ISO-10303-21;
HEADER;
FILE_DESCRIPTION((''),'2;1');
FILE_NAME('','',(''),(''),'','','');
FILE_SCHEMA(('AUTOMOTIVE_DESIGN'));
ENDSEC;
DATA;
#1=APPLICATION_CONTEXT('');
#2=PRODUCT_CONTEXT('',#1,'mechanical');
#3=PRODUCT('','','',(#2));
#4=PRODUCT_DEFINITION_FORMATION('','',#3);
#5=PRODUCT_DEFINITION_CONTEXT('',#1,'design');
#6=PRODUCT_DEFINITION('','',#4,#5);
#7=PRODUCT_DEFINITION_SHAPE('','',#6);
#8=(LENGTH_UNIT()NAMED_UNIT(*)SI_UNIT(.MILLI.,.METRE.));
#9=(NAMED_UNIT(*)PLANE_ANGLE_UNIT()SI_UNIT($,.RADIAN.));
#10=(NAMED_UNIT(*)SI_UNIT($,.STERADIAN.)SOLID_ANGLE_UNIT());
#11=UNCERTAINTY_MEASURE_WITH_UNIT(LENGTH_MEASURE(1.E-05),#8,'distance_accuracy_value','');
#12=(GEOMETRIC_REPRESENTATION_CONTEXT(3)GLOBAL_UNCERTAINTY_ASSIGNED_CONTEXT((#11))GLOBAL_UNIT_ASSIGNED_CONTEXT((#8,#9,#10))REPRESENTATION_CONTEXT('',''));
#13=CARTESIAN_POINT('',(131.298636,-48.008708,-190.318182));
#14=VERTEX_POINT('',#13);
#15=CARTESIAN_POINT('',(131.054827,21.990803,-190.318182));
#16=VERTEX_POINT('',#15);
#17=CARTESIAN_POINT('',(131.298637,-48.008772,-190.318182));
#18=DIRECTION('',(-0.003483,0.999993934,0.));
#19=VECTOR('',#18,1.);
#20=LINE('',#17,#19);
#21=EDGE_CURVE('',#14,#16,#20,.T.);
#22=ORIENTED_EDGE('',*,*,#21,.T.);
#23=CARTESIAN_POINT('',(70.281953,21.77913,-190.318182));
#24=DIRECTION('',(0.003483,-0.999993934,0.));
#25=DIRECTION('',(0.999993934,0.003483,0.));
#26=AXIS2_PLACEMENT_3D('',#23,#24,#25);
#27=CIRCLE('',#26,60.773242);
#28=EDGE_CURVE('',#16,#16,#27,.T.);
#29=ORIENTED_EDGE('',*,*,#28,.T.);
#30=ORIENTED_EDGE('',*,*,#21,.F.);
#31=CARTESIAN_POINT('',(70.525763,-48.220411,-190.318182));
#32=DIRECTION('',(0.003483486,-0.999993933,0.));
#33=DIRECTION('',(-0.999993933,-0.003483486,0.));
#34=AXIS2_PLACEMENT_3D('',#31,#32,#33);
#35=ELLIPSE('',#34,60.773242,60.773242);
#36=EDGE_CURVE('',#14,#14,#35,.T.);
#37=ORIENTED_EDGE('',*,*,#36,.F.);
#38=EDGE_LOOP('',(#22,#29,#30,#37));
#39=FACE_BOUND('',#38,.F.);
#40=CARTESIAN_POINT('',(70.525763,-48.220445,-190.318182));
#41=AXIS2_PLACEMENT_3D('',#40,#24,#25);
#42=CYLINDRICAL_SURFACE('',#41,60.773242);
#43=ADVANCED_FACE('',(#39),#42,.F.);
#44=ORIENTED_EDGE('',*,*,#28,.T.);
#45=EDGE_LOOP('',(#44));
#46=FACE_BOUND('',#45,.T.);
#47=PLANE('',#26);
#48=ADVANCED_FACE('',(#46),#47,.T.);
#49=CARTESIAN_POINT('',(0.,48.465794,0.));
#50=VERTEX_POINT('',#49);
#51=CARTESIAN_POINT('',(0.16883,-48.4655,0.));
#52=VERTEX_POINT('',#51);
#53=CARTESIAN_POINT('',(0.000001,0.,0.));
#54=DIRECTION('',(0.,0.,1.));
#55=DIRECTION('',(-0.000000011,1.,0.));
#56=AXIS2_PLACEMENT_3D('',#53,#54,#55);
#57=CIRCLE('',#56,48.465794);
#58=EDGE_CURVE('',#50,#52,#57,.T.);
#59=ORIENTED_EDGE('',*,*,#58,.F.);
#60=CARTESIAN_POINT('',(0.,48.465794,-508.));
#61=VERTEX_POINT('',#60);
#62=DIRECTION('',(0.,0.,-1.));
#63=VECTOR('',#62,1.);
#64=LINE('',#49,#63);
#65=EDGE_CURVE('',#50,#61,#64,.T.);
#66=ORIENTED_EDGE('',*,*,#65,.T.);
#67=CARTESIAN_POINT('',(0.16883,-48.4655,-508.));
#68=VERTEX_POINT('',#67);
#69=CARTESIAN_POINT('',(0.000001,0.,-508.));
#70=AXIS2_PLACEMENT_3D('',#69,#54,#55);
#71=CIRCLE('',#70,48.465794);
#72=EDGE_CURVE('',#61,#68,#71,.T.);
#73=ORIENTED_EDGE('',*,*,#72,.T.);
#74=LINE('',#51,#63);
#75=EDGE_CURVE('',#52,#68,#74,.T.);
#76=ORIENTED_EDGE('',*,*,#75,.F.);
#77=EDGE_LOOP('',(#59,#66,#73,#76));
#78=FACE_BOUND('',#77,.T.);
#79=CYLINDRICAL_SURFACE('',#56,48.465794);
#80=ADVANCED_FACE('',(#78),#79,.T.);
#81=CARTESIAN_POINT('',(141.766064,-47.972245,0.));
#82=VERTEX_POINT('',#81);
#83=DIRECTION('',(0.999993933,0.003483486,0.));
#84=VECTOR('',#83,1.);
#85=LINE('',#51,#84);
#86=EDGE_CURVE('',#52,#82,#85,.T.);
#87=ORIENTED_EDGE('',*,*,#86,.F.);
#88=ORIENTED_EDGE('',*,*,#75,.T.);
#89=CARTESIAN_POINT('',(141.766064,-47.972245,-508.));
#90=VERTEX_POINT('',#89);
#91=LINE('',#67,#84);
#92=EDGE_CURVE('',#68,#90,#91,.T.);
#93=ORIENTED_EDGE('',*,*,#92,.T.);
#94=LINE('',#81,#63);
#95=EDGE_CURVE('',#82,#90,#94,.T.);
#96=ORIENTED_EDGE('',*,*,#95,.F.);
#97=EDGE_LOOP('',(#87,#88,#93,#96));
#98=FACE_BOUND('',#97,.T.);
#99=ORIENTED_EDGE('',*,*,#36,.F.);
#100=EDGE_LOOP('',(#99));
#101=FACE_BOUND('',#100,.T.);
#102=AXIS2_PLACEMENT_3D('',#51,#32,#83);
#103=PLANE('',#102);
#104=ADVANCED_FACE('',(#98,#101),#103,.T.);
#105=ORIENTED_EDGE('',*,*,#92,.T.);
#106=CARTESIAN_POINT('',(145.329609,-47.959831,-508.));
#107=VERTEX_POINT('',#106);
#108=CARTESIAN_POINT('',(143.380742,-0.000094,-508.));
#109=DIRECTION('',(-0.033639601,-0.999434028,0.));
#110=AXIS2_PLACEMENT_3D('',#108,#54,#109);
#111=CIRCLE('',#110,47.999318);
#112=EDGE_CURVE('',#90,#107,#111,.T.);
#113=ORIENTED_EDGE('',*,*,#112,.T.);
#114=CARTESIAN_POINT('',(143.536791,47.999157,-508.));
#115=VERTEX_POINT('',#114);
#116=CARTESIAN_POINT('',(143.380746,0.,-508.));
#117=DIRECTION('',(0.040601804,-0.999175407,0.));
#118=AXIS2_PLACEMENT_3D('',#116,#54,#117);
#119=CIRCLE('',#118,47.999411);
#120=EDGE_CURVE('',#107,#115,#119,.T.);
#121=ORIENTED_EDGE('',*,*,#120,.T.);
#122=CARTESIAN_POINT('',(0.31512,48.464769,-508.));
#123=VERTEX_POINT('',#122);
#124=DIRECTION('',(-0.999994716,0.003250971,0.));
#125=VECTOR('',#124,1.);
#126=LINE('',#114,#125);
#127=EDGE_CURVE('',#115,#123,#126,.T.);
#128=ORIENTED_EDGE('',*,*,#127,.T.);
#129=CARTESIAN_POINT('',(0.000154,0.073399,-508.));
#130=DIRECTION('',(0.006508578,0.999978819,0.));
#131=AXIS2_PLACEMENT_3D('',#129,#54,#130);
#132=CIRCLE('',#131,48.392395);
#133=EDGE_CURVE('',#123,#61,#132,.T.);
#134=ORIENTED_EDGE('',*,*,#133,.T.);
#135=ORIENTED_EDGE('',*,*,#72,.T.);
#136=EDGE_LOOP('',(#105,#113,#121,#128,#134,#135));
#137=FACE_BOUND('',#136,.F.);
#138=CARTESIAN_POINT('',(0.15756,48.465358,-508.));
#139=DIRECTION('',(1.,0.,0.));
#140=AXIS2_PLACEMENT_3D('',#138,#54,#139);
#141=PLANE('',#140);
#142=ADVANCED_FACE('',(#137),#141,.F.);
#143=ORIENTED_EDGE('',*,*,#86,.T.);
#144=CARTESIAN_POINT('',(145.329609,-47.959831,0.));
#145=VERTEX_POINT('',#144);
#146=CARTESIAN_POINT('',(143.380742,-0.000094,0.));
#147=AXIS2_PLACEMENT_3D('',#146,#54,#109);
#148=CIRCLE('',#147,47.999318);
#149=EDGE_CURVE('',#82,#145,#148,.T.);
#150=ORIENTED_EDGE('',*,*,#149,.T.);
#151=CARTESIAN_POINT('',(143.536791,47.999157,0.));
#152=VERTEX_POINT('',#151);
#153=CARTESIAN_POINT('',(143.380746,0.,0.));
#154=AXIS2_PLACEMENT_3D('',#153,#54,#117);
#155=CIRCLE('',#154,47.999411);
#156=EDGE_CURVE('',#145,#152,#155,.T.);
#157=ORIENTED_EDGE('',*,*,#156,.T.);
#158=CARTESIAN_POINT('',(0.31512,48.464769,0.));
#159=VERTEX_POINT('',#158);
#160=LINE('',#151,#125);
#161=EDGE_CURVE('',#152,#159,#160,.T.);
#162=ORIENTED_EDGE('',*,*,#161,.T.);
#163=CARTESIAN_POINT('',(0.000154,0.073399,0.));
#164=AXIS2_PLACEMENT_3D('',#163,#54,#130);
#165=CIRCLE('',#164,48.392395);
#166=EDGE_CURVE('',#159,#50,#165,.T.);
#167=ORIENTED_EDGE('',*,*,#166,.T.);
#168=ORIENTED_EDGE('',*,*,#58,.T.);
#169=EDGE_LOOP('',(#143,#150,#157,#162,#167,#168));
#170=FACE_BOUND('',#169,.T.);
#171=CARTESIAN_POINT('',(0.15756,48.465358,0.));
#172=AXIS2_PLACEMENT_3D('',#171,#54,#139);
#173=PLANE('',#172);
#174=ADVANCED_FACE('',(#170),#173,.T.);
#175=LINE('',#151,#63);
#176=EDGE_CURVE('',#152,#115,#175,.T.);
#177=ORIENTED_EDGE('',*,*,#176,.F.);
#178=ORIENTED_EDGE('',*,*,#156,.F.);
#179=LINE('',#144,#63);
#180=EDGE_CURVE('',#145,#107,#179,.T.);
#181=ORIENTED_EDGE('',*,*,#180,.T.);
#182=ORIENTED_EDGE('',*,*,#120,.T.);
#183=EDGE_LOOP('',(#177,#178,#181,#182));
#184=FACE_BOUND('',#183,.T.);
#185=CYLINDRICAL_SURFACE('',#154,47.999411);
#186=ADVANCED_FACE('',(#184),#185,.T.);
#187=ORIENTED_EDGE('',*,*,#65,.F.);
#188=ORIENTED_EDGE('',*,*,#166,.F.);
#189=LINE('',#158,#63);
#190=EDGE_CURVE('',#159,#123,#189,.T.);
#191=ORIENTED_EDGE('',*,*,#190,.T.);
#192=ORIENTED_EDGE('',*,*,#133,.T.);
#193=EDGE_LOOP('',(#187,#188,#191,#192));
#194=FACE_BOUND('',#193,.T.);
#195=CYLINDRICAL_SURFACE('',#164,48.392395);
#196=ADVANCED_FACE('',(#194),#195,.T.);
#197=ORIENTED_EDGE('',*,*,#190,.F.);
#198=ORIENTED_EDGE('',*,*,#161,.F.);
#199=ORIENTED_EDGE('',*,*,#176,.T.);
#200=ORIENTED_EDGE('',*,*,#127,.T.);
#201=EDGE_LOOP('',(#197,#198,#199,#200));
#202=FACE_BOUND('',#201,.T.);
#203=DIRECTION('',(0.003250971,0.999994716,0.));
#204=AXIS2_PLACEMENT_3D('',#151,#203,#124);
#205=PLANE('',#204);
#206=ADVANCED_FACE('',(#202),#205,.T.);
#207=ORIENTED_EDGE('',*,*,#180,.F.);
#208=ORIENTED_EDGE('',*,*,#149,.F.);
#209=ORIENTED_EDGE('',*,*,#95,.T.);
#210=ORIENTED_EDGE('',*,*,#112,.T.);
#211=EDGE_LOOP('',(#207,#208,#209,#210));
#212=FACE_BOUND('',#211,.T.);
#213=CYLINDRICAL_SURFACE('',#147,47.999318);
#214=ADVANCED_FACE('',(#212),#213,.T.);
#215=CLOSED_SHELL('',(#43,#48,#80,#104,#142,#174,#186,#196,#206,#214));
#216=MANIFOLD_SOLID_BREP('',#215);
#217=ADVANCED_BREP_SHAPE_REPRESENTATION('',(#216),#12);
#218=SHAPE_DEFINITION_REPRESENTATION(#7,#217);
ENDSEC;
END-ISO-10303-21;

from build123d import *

# Parameters (mm, degrees)
F1_DEPTH = 508
F2_R     = 60.773242
F3_DEPTH = 70


with BuildPart() as f1:
    # F0 (on Top) → F1 (new body)
    with BuildSketch(Plane.XY):
        with BuildLine():
            Line((0, 48.465794), (0.31512, 48.464769))
            ThreePointArc((0.31512, 48.464769), (0.157561, 48.465538), (0, 48.465794))
        make_face()
        with BuildLine():
            Line((143.536791, 47.999157), (0.31512, 48.464769))
            Line((0.31512, 48.464769), (0, 48.465794))
            ThreePointArc((0, 48.465794), (-48.46572, -0.084415), (0.16883, -48.4655))
            Line((0.16883, -48.4655), (141.766064, -47.972245))
            Line((141.766064, -47.972245), (145.329609, -47.959831))
            ThreePointArc((145.329609, -47.959831), (191.371782, 0.896624), (143.536791, 47.999157))
        make_face()
        with BuildLine():
            ThreePointArc((141.766064, -47.972245), (143.547952, -47.99912), (145.329609, -47.959831))
            Line((145.329609, -47.959831), (141.766064, -47.972245))
        make_face()
    extrude(amount=-F1_DEPTH)

    # F2 (on face) → F3 (cut)
    with BuildSketch(Plane(origin=(0.16883, -48.4655, 0), x_dir=(0.999994, 0.003483, 0), z_dir=(0.003483, -0.999994, 0))):
        with Locations((70.35736, -190.318182)):
            Circle(F2_R)
    extrude(amount=-F3_DEPTH, mode=Mode.SUBTRACT)


solid = f1.part
